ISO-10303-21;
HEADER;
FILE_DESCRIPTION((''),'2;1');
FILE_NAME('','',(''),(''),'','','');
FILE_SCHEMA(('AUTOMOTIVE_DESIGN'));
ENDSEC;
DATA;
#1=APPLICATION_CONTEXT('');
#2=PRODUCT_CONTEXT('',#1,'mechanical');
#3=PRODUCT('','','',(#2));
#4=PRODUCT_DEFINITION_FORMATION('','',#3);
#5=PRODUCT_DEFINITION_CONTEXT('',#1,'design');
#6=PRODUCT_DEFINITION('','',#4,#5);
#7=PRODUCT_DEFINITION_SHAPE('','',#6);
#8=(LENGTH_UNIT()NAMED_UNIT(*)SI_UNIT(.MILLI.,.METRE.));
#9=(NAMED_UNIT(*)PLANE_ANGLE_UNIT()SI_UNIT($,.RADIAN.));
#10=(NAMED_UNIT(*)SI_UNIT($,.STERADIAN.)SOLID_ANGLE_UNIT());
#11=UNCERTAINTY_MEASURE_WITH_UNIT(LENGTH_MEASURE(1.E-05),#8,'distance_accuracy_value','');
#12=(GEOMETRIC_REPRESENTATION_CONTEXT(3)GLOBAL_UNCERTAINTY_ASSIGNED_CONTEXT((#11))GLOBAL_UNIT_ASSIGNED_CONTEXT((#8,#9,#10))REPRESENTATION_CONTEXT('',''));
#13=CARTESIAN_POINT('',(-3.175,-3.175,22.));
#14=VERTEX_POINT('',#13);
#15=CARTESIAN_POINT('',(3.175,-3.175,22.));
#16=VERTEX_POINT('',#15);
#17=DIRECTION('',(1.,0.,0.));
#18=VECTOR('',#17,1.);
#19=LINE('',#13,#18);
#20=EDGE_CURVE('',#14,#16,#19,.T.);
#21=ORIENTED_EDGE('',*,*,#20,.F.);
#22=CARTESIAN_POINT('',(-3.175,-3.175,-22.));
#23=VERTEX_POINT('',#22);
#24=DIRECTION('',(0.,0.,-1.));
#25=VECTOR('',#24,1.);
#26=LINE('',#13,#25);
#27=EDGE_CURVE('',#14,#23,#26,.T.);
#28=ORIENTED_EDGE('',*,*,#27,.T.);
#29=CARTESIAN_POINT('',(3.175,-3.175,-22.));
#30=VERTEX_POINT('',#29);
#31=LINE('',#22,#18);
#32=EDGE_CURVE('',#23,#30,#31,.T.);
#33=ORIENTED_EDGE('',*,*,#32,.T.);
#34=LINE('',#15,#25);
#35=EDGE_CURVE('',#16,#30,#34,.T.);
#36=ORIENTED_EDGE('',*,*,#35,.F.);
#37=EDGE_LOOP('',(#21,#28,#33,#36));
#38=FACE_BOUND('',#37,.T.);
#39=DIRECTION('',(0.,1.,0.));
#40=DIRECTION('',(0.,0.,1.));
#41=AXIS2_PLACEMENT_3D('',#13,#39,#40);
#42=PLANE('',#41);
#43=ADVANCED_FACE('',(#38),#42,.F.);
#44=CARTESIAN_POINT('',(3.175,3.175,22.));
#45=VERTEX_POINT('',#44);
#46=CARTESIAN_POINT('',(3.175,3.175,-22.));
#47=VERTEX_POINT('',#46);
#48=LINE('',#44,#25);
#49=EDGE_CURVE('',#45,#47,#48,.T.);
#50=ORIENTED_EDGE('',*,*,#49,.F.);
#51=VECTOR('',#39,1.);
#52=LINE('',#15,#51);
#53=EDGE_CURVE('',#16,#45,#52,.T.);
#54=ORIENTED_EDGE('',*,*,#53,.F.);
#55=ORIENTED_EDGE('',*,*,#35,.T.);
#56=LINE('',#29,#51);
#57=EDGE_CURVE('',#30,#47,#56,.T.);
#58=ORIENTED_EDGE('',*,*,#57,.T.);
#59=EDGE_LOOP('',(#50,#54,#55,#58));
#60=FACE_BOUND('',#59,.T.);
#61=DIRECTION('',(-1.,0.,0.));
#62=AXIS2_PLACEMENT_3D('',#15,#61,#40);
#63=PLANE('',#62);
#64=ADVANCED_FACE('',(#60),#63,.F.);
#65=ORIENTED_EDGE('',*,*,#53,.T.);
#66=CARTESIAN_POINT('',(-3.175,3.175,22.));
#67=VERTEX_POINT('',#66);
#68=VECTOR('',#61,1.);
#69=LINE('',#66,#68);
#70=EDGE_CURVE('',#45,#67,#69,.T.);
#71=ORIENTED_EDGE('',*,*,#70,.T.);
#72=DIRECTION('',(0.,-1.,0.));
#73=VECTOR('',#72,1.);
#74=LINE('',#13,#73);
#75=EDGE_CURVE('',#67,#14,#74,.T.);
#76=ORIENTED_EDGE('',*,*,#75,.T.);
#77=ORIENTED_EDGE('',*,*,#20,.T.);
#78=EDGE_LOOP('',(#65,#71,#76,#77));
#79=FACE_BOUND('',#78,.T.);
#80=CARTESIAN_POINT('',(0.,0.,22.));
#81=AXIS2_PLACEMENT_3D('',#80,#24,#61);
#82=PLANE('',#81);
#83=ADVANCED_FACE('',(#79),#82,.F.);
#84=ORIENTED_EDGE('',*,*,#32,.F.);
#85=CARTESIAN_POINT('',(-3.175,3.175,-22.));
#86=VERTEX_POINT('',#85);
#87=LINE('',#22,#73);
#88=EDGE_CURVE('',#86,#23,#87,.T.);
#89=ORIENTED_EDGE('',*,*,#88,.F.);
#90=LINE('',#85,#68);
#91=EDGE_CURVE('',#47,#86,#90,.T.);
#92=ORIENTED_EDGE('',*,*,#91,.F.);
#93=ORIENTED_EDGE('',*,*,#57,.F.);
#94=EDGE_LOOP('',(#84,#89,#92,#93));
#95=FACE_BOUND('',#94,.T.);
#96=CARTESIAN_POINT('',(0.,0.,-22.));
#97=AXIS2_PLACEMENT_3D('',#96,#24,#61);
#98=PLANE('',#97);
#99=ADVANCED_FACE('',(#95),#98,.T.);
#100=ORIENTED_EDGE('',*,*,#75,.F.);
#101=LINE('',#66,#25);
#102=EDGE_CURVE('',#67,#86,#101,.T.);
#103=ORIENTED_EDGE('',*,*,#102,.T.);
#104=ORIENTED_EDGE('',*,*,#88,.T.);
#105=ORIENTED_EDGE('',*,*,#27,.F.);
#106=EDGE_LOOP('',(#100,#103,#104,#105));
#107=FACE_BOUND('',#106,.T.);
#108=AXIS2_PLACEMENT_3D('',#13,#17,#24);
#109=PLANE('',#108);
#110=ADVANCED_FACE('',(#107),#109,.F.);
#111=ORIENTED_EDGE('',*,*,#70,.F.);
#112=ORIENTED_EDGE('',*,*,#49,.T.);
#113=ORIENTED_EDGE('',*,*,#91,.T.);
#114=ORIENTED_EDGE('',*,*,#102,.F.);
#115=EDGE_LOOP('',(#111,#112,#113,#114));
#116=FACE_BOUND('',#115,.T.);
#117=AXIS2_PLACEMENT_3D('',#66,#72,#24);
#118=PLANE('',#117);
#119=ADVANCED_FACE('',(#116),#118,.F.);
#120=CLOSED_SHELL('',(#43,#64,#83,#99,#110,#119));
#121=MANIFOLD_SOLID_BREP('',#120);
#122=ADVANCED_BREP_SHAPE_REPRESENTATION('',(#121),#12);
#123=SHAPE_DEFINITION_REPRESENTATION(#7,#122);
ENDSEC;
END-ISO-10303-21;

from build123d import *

# Parameters (mm, degrees)
SKETCH1_W           = 6.35
SKETCH1_H           = 6.35
BOSS_EXTRUDE1_DEPTH = 22


with BuildPart() as part:
    # Sketch1 → Boss-Extrude1 (new, symmetric)
    with BuildSketch(Plane.XY):
        Rectangle(SKETCH1_W, SKETCH1_H)
    extrude(amount=BOSS_EXTRUDE1_DEPTH, both=True)


solid = part.part
